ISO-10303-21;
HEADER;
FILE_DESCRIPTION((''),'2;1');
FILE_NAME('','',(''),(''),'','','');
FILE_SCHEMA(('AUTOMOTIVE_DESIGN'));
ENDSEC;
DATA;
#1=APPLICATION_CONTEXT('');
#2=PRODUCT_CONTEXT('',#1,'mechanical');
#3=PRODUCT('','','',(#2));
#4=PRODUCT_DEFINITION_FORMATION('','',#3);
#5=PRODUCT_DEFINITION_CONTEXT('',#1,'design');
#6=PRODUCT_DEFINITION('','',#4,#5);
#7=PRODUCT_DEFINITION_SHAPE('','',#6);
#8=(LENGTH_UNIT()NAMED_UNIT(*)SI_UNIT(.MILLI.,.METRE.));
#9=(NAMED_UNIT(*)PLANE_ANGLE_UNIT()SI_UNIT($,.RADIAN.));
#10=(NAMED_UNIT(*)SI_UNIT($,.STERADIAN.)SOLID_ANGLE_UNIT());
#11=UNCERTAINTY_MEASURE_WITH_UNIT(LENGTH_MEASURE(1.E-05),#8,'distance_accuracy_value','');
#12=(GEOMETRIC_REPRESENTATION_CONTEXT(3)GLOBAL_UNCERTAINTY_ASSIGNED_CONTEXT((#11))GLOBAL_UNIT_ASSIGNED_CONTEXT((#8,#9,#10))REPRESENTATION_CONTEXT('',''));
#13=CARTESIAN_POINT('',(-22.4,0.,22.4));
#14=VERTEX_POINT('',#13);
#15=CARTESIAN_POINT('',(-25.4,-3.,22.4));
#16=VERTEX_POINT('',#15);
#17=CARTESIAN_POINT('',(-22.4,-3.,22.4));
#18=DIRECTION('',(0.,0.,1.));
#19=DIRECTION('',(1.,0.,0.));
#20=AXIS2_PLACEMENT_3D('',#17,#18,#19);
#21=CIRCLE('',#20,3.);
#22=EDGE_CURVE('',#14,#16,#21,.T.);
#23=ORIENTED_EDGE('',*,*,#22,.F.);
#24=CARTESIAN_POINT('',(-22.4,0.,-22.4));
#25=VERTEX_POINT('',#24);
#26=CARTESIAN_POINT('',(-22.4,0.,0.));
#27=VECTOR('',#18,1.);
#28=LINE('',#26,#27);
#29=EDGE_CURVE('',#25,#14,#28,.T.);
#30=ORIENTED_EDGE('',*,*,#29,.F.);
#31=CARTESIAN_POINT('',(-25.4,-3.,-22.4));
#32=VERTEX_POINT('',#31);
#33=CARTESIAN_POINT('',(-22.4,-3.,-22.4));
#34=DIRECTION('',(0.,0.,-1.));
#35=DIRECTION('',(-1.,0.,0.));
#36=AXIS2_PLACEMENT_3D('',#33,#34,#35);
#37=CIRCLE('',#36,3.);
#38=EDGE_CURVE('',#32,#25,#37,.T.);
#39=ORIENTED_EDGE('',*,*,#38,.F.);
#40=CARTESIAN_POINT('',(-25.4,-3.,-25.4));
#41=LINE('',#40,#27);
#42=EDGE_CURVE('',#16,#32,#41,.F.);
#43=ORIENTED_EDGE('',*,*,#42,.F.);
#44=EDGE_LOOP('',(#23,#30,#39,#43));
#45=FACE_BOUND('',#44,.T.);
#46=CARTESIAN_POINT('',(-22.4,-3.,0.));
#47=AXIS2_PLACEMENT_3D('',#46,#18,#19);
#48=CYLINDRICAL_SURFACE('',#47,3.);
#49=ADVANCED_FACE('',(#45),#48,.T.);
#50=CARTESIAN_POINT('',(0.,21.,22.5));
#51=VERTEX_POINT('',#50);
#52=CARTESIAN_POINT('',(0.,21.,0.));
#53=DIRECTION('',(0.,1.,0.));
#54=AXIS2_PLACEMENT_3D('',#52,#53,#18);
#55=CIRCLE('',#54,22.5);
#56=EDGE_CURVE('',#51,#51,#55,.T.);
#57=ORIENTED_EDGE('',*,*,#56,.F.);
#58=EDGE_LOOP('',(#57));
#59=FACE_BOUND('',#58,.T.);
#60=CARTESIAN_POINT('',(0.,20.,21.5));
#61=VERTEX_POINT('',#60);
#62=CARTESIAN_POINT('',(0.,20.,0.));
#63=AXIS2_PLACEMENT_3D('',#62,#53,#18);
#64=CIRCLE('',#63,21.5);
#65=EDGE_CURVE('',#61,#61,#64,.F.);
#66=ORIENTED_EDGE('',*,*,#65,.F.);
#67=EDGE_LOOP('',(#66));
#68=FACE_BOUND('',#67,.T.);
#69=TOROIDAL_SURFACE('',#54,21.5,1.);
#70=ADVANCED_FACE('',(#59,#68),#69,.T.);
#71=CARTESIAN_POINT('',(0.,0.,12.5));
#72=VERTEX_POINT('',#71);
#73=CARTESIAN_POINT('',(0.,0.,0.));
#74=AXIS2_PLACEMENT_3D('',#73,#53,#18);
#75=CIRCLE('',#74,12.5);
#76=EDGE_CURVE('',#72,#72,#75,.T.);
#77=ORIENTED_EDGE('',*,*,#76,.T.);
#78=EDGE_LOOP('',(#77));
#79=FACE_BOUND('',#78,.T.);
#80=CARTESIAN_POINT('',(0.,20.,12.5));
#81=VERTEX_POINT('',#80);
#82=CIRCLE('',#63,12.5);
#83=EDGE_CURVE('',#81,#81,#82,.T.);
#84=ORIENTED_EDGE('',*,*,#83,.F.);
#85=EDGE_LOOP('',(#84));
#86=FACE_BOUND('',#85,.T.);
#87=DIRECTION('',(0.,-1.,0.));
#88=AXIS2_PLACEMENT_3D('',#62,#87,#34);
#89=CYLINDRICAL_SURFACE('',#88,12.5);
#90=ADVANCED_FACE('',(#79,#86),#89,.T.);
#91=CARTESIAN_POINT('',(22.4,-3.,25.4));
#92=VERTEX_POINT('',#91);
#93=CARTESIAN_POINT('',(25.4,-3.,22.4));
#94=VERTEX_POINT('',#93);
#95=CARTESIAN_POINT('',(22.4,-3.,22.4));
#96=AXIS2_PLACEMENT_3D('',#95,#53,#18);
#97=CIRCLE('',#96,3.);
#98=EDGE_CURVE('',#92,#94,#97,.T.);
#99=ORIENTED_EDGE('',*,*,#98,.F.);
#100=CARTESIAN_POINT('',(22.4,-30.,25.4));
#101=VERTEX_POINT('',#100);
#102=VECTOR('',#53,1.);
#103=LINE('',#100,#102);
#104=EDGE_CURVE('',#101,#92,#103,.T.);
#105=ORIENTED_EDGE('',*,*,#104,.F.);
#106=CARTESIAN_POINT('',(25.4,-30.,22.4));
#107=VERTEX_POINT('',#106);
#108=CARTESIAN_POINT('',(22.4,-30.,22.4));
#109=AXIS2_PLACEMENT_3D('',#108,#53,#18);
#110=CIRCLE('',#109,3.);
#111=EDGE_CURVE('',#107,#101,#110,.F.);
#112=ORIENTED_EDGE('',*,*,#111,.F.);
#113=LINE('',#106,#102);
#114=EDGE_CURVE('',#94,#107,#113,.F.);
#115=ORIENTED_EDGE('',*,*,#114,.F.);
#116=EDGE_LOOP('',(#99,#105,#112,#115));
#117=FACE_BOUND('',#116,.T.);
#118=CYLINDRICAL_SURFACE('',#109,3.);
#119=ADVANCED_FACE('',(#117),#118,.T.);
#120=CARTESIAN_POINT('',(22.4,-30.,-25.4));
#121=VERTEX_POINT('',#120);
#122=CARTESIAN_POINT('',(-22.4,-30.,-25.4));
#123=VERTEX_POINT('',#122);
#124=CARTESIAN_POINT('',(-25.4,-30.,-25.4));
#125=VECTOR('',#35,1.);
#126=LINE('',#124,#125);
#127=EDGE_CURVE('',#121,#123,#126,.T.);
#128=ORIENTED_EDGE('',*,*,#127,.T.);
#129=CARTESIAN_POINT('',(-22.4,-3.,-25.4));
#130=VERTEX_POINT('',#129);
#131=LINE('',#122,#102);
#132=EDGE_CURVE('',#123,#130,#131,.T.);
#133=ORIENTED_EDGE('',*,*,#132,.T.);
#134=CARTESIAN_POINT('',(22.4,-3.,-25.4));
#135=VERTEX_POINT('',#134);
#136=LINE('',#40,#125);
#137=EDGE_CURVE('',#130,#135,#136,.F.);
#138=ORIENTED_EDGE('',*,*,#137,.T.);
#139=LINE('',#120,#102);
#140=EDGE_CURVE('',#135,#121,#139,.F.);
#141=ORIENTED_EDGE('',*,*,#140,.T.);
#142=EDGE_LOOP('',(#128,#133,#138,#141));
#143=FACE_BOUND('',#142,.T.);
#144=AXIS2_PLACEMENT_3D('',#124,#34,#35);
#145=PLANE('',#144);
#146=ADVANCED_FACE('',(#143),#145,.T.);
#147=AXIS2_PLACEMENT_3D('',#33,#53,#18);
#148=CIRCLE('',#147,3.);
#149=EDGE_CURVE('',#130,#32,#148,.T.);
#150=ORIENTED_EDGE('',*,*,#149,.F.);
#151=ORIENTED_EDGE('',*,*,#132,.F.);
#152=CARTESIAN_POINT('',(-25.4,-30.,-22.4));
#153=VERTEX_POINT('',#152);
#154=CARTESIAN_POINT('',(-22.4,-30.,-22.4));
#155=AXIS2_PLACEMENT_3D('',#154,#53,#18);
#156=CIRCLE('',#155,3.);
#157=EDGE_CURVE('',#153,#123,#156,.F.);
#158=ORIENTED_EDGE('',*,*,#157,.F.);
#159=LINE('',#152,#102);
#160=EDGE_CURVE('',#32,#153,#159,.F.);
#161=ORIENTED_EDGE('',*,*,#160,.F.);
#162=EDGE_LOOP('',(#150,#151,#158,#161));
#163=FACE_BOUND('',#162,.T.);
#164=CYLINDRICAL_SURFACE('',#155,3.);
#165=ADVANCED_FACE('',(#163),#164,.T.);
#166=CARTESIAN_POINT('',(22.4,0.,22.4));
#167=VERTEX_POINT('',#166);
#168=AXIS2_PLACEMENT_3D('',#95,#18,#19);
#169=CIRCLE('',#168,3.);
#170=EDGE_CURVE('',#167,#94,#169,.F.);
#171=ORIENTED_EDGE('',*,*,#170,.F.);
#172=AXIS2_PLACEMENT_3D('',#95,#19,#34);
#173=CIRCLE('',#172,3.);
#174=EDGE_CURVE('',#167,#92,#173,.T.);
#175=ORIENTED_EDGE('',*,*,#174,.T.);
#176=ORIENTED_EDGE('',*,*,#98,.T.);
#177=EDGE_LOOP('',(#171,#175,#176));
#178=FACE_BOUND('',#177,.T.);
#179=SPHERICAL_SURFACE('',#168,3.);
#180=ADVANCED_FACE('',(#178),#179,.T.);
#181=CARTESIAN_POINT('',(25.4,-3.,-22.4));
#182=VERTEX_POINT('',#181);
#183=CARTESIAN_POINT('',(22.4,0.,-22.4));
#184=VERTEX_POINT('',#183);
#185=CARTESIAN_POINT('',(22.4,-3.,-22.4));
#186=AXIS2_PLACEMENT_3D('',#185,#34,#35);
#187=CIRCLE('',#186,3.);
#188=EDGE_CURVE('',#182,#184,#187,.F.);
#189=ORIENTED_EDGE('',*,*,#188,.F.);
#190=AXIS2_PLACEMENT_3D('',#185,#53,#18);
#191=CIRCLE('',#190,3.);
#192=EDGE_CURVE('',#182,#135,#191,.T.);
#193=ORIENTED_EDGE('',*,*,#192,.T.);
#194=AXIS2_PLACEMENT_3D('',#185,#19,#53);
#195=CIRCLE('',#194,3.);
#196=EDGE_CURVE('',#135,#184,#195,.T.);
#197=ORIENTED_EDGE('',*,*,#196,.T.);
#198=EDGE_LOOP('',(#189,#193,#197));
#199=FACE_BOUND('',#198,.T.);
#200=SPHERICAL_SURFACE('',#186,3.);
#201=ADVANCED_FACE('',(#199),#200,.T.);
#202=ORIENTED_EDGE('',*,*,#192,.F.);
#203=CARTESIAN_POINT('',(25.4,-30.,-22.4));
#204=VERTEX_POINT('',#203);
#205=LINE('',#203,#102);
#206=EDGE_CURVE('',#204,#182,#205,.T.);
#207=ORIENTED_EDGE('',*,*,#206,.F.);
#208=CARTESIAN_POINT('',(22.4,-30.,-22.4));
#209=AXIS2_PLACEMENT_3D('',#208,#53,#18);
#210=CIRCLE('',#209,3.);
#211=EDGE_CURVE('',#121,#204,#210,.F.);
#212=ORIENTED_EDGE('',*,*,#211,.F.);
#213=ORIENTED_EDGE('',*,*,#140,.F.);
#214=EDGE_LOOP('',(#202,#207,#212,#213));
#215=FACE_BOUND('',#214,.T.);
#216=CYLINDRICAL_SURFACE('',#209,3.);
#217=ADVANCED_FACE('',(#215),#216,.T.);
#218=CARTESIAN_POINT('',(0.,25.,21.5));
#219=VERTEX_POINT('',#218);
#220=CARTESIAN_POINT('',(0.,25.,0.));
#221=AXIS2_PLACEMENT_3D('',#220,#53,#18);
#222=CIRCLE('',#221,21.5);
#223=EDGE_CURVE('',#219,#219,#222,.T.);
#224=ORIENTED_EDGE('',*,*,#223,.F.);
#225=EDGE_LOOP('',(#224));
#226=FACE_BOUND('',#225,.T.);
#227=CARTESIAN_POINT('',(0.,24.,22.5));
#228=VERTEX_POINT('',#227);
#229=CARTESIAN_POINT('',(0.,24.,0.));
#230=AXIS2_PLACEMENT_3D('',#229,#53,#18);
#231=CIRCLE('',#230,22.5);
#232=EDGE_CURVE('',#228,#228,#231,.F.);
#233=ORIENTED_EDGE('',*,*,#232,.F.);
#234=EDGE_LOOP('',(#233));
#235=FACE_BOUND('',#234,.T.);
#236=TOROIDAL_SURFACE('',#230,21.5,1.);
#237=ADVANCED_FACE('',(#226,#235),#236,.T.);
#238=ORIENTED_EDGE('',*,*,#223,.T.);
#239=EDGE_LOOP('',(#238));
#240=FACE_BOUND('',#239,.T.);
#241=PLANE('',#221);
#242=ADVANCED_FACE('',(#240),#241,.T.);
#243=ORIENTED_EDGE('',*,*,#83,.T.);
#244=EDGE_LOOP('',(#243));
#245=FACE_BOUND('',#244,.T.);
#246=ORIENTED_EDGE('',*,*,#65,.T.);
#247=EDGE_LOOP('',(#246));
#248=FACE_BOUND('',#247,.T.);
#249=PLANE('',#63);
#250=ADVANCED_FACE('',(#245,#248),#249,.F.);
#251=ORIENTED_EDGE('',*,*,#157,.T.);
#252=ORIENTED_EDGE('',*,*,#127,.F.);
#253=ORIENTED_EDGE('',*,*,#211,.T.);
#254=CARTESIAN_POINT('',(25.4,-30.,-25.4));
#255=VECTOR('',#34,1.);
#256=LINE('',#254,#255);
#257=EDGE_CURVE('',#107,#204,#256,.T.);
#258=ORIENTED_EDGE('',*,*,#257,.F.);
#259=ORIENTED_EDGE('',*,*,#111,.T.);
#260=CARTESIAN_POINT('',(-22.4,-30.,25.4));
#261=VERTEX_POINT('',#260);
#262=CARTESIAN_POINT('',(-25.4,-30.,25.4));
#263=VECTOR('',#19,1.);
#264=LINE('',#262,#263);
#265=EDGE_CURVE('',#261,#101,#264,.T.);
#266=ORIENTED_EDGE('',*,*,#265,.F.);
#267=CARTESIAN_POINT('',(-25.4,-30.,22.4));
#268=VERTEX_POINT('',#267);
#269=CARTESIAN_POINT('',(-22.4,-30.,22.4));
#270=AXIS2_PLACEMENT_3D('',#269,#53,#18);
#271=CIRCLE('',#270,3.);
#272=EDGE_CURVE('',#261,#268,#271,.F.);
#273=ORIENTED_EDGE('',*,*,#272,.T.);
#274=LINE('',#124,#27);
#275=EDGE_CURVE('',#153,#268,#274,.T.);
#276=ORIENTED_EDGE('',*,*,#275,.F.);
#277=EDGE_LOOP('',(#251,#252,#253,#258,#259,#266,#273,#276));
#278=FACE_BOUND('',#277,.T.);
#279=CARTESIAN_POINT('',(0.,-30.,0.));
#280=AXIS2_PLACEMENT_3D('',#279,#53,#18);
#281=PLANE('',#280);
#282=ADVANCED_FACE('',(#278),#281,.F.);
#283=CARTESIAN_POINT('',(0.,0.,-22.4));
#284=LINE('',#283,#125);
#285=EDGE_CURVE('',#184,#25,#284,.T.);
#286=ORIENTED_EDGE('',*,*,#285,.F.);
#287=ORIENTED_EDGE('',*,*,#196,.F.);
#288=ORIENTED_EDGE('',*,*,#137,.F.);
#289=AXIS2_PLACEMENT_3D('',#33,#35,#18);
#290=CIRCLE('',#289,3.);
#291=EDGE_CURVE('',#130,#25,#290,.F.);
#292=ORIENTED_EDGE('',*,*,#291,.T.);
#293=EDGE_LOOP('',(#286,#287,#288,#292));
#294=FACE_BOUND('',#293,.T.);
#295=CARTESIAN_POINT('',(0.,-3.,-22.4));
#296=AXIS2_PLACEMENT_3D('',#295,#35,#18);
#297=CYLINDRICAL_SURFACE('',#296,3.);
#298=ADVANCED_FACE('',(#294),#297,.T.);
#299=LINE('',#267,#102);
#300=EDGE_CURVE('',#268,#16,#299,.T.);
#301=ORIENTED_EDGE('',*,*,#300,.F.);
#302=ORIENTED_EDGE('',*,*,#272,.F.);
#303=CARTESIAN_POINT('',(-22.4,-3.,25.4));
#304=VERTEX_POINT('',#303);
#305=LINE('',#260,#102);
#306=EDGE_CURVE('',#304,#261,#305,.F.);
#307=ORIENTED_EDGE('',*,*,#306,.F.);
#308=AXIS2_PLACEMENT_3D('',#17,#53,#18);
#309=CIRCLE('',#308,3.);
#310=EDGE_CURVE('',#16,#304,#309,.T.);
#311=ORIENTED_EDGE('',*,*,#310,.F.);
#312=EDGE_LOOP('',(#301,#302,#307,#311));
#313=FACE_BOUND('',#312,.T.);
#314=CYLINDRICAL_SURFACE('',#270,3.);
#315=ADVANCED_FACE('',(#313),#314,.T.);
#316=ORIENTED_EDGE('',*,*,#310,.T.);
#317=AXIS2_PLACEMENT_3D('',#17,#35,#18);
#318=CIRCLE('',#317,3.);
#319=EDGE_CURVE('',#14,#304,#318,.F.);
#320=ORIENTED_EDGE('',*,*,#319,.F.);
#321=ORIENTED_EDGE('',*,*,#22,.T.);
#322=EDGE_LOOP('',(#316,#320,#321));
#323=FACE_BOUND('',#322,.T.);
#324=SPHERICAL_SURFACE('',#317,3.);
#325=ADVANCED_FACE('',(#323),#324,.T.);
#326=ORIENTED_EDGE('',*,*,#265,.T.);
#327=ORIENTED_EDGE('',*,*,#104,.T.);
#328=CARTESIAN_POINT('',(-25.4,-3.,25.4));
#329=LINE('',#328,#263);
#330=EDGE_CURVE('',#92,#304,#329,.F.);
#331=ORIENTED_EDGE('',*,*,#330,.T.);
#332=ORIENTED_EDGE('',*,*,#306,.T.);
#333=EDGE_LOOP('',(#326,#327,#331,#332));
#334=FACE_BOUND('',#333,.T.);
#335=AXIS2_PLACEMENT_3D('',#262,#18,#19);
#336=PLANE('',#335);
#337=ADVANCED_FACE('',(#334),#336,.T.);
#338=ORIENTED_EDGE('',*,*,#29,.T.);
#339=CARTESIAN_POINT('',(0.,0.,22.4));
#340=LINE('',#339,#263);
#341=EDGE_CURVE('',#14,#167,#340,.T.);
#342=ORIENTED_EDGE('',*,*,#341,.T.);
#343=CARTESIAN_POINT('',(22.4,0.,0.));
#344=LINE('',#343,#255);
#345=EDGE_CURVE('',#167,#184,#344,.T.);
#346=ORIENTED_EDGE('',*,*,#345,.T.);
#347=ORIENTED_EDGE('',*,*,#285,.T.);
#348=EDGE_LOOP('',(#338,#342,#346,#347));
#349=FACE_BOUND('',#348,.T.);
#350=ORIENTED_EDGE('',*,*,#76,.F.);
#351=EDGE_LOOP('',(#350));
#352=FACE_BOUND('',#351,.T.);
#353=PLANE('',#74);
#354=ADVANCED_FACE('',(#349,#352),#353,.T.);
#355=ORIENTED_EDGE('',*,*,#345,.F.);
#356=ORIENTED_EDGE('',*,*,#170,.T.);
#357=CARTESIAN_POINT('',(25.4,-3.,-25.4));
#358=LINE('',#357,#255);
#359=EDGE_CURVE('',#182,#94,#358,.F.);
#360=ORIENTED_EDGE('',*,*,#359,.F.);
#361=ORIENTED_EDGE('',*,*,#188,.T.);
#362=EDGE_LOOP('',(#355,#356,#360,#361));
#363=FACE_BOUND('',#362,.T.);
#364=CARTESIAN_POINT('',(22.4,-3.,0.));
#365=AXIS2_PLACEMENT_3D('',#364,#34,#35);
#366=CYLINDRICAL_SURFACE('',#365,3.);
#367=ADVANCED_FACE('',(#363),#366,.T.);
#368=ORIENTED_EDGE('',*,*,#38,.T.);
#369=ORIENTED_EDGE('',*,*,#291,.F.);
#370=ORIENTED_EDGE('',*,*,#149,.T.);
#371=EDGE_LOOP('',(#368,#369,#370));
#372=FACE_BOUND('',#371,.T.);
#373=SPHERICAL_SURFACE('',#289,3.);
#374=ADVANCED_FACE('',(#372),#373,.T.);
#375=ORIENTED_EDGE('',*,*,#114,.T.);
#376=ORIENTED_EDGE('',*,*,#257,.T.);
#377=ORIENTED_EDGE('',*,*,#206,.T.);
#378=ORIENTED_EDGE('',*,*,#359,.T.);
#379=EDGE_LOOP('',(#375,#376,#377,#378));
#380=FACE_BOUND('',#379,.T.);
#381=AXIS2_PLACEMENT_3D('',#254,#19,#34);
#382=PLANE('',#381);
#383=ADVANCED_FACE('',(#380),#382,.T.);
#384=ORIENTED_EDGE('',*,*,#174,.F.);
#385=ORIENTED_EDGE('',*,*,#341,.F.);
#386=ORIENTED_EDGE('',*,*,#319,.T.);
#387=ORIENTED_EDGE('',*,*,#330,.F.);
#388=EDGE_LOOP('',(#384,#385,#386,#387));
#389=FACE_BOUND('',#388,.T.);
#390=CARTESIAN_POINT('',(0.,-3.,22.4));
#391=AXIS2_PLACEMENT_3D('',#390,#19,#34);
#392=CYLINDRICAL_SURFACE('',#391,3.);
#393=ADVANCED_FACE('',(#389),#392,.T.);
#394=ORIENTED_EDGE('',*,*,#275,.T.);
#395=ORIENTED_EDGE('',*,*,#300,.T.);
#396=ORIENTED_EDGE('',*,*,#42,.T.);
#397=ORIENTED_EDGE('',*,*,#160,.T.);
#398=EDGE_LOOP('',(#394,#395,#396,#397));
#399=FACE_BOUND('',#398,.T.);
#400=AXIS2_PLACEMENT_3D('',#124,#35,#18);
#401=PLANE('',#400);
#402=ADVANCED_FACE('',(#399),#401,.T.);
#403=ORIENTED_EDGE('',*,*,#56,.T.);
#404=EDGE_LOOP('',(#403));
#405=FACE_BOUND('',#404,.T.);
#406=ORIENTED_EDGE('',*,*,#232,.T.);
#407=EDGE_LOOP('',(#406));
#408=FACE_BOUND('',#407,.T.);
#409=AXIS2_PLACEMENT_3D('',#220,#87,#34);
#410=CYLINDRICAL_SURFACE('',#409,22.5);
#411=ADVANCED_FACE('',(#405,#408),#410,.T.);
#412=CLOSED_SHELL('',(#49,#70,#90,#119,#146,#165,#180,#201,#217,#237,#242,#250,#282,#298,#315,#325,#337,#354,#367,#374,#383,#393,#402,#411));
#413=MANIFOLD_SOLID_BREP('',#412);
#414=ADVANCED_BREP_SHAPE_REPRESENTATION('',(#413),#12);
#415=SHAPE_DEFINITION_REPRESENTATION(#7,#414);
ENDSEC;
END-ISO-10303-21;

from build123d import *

# Parameters (mm, degrees)
SKETCH1_W           = 50.8
SKETCH1_H           = 50.8
BOSS_EXTRUDE1_DEPTH = 30
SKETCH2_R           = 12.5
BOSS_EXTRUDE2_DEPTH = 20
BOSS_EXTRUDE3_START = 20
SKETCH3_R           = 22.5
BOSS_EXTRUDE3_DEPTH = 5
FILLET1_R           = 3
FILLET2_R           = 1


with BuildPart() as part:
    # Sketch1 → Boss-Extrude1 (new body)
    with BuildSketch(Plane(origin=(0, 0, 0), x_dir=(1, 0, 0), z_dir=(0, 1, 0))):
        Rectangle(SKETCH1_W, SKETCH1_H)
    extrude(amount=-BOSS_EXTRUDE1_DEPTH)

    # Sketch2 → Boss-Extrude2 (add)
    with BuildSketch(Plane(origin=(0, 0, 0), x_dir=(1, 0, 0), z_dir=(0, 1, 0))):
        with Locations(Location((0, 0, 0), (0, 0, 270))):
            Circle(SKETCH2_R)
    extrude(amount=BOSS_EXTRUDE2_DEPTH)

    # Sketch3 → Boss-Extrude3 (add)
    with BuildSketch(Plane(origin=(0, 0, 0), x_dir=(1, 0, 0), z_dir=(0, 1, 0)).offset(BOSS_EXTRUDE3_START)):
        with Locations(Location((0, 0, 0), (0, 0, 270))):
            Circle(SKETCH3_R)
    extrude(amount=BOSS_EXTRUDE3_DEPTH)

    # Fillet1
    fillet1_edges = [part.edges().sort_by_distance(p)[0] for p in [
        (0, 0, 25.4),
        (-25.4, 0, 0),
        (0, 0, -25.4),
        (25.4, 0, 0),
        (25.4, -15, 25.4),
        (-25.4, -15, 25.4),
        (-25.4, -15, -25.4),
        (25.4, -15, -25.4),
    ]]
    fillet(fillet1_edges, radius=FILLET1_R)

    # Fillet2
    fillet2_edges = [part.edges().sort_by_distance(p)[0] for p in [
        (0, 20, -22.5),
        (0, 25, -22.5),
    ]]
    fillet(fillet2_edges, radius=FILLET2_R)


solid = part.part
